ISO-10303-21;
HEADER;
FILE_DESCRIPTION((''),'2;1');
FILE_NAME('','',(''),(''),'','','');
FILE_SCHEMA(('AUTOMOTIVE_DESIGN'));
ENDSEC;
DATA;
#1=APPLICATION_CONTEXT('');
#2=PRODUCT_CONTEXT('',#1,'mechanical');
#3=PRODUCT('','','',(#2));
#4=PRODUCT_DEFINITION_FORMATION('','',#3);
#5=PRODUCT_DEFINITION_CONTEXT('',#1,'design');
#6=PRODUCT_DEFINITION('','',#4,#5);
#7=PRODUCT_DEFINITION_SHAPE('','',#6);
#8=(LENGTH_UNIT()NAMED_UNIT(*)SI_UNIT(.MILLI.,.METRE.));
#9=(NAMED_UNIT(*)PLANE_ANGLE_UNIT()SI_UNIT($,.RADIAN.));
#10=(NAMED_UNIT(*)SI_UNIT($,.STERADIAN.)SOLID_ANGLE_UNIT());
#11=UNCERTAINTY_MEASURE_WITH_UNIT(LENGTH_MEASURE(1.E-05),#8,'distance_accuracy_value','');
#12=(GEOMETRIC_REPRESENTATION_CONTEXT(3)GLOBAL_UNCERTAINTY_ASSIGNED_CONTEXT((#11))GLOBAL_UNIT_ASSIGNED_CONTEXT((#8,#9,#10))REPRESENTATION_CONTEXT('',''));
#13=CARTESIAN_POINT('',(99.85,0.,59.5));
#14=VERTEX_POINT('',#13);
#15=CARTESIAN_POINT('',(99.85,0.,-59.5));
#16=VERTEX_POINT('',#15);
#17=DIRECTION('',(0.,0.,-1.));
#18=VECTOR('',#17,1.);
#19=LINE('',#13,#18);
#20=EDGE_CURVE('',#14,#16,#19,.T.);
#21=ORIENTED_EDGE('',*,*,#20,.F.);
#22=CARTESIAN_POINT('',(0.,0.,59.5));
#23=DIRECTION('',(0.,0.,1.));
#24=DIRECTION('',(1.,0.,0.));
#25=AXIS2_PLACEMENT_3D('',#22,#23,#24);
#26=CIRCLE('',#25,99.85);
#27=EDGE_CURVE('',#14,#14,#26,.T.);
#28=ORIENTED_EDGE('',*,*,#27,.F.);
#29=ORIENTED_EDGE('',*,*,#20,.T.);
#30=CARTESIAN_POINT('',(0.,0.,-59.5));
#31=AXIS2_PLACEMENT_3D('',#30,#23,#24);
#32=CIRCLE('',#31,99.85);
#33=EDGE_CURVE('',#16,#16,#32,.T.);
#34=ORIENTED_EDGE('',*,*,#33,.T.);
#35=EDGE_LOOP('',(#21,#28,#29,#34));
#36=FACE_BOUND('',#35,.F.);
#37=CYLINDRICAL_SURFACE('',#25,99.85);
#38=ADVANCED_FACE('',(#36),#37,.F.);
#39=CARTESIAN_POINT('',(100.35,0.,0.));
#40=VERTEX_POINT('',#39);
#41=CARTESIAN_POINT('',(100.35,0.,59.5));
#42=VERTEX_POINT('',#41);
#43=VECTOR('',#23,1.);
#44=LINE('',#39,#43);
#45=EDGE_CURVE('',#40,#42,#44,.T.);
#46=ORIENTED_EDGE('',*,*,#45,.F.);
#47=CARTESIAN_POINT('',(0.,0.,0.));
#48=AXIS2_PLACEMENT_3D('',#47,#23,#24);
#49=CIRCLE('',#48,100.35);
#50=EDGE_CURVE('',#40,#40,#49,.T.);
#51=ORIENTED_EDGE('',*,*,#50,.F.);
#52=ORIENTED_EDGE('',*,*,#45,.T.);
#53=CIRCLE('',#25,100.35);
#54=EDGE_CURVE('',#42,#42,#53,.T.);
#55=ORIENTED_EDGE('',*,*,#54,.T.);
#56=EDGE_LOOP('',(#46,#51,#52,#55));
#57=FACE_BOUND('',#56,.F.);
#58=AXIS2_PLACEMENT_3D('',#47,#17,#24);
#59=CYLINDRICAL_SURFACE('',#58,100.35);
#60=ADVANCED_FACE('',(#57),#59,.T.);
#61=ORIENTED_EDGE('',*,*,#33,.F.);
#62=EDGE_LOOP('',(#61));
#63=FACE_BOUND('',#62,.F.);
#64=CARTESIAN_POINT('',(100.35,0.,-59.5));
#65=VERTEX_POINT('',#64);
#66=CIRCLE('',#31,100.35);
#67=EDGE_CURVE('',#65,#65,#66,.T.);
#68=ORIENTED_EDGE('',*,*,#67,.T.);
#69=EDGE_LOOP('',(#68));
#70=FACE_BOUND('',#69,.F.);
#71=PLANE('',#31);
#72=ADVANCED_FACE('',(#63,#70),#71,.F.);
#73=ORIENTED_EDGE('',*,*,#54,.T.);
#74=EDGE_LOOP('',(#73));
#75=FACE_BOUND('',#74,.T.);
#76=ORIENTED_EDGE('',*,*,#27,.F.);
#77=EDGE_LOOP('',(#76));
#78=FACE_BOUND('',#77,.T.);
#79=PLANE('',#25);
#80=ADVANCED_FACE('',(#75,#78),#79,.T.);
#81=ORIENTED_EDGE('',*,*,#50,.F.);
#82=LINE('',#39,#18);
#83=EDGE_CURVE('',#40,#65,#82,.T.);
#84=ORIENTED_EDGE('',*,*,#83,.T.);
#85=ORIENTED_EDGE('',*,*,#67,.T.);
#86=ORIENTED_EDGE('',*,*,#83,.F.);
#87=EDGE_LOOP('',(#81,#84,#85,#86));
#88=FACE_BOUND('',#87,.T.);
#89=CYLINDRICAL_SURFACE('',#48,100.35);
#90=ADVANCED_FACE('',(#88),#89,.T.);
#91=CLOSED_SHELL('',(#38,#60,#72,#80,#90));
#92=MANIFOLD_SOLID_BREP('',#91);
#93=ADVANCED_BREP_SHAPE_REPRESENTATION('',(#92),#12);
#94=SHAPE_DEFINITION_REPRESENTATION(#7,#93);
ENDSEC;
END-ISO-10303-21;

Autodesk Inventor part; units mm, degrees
ref_plane "YZ Plane" through (0, 0, 0) normal (1, 0, 0) x (0, 1, 0)
ref_plane "XZ Plane" through (0, 0, 0) normal (0, 1, 0) x (-1, 0, 0)
ref_plane "XY Plane" through (0, 0, 0) normal (0, 0, 1) x (1, 0, 0)
sketch "Sketch1" plane through (0, 0, 0) normal (0, 0, 1) x (1, 0, 0)
  circle A0 centre (0, 0) radius 100.35
  dimension "d0" = 200.7
extrude "Extrusion1" add sketch "Sketch1" along normal mid plane 119
sketch "Sketch2" plane through (0, 0, 59.5) normal (0, 0, 1) x (1, 0, 0)
  circle A0 centre (0, 0) radius 99.85
  dimension "d3" = 199.7
extrude "Extrusion2" cut sketch "Sketch2" against normal through all
properties part number "ALPHA-II-CT_4"
